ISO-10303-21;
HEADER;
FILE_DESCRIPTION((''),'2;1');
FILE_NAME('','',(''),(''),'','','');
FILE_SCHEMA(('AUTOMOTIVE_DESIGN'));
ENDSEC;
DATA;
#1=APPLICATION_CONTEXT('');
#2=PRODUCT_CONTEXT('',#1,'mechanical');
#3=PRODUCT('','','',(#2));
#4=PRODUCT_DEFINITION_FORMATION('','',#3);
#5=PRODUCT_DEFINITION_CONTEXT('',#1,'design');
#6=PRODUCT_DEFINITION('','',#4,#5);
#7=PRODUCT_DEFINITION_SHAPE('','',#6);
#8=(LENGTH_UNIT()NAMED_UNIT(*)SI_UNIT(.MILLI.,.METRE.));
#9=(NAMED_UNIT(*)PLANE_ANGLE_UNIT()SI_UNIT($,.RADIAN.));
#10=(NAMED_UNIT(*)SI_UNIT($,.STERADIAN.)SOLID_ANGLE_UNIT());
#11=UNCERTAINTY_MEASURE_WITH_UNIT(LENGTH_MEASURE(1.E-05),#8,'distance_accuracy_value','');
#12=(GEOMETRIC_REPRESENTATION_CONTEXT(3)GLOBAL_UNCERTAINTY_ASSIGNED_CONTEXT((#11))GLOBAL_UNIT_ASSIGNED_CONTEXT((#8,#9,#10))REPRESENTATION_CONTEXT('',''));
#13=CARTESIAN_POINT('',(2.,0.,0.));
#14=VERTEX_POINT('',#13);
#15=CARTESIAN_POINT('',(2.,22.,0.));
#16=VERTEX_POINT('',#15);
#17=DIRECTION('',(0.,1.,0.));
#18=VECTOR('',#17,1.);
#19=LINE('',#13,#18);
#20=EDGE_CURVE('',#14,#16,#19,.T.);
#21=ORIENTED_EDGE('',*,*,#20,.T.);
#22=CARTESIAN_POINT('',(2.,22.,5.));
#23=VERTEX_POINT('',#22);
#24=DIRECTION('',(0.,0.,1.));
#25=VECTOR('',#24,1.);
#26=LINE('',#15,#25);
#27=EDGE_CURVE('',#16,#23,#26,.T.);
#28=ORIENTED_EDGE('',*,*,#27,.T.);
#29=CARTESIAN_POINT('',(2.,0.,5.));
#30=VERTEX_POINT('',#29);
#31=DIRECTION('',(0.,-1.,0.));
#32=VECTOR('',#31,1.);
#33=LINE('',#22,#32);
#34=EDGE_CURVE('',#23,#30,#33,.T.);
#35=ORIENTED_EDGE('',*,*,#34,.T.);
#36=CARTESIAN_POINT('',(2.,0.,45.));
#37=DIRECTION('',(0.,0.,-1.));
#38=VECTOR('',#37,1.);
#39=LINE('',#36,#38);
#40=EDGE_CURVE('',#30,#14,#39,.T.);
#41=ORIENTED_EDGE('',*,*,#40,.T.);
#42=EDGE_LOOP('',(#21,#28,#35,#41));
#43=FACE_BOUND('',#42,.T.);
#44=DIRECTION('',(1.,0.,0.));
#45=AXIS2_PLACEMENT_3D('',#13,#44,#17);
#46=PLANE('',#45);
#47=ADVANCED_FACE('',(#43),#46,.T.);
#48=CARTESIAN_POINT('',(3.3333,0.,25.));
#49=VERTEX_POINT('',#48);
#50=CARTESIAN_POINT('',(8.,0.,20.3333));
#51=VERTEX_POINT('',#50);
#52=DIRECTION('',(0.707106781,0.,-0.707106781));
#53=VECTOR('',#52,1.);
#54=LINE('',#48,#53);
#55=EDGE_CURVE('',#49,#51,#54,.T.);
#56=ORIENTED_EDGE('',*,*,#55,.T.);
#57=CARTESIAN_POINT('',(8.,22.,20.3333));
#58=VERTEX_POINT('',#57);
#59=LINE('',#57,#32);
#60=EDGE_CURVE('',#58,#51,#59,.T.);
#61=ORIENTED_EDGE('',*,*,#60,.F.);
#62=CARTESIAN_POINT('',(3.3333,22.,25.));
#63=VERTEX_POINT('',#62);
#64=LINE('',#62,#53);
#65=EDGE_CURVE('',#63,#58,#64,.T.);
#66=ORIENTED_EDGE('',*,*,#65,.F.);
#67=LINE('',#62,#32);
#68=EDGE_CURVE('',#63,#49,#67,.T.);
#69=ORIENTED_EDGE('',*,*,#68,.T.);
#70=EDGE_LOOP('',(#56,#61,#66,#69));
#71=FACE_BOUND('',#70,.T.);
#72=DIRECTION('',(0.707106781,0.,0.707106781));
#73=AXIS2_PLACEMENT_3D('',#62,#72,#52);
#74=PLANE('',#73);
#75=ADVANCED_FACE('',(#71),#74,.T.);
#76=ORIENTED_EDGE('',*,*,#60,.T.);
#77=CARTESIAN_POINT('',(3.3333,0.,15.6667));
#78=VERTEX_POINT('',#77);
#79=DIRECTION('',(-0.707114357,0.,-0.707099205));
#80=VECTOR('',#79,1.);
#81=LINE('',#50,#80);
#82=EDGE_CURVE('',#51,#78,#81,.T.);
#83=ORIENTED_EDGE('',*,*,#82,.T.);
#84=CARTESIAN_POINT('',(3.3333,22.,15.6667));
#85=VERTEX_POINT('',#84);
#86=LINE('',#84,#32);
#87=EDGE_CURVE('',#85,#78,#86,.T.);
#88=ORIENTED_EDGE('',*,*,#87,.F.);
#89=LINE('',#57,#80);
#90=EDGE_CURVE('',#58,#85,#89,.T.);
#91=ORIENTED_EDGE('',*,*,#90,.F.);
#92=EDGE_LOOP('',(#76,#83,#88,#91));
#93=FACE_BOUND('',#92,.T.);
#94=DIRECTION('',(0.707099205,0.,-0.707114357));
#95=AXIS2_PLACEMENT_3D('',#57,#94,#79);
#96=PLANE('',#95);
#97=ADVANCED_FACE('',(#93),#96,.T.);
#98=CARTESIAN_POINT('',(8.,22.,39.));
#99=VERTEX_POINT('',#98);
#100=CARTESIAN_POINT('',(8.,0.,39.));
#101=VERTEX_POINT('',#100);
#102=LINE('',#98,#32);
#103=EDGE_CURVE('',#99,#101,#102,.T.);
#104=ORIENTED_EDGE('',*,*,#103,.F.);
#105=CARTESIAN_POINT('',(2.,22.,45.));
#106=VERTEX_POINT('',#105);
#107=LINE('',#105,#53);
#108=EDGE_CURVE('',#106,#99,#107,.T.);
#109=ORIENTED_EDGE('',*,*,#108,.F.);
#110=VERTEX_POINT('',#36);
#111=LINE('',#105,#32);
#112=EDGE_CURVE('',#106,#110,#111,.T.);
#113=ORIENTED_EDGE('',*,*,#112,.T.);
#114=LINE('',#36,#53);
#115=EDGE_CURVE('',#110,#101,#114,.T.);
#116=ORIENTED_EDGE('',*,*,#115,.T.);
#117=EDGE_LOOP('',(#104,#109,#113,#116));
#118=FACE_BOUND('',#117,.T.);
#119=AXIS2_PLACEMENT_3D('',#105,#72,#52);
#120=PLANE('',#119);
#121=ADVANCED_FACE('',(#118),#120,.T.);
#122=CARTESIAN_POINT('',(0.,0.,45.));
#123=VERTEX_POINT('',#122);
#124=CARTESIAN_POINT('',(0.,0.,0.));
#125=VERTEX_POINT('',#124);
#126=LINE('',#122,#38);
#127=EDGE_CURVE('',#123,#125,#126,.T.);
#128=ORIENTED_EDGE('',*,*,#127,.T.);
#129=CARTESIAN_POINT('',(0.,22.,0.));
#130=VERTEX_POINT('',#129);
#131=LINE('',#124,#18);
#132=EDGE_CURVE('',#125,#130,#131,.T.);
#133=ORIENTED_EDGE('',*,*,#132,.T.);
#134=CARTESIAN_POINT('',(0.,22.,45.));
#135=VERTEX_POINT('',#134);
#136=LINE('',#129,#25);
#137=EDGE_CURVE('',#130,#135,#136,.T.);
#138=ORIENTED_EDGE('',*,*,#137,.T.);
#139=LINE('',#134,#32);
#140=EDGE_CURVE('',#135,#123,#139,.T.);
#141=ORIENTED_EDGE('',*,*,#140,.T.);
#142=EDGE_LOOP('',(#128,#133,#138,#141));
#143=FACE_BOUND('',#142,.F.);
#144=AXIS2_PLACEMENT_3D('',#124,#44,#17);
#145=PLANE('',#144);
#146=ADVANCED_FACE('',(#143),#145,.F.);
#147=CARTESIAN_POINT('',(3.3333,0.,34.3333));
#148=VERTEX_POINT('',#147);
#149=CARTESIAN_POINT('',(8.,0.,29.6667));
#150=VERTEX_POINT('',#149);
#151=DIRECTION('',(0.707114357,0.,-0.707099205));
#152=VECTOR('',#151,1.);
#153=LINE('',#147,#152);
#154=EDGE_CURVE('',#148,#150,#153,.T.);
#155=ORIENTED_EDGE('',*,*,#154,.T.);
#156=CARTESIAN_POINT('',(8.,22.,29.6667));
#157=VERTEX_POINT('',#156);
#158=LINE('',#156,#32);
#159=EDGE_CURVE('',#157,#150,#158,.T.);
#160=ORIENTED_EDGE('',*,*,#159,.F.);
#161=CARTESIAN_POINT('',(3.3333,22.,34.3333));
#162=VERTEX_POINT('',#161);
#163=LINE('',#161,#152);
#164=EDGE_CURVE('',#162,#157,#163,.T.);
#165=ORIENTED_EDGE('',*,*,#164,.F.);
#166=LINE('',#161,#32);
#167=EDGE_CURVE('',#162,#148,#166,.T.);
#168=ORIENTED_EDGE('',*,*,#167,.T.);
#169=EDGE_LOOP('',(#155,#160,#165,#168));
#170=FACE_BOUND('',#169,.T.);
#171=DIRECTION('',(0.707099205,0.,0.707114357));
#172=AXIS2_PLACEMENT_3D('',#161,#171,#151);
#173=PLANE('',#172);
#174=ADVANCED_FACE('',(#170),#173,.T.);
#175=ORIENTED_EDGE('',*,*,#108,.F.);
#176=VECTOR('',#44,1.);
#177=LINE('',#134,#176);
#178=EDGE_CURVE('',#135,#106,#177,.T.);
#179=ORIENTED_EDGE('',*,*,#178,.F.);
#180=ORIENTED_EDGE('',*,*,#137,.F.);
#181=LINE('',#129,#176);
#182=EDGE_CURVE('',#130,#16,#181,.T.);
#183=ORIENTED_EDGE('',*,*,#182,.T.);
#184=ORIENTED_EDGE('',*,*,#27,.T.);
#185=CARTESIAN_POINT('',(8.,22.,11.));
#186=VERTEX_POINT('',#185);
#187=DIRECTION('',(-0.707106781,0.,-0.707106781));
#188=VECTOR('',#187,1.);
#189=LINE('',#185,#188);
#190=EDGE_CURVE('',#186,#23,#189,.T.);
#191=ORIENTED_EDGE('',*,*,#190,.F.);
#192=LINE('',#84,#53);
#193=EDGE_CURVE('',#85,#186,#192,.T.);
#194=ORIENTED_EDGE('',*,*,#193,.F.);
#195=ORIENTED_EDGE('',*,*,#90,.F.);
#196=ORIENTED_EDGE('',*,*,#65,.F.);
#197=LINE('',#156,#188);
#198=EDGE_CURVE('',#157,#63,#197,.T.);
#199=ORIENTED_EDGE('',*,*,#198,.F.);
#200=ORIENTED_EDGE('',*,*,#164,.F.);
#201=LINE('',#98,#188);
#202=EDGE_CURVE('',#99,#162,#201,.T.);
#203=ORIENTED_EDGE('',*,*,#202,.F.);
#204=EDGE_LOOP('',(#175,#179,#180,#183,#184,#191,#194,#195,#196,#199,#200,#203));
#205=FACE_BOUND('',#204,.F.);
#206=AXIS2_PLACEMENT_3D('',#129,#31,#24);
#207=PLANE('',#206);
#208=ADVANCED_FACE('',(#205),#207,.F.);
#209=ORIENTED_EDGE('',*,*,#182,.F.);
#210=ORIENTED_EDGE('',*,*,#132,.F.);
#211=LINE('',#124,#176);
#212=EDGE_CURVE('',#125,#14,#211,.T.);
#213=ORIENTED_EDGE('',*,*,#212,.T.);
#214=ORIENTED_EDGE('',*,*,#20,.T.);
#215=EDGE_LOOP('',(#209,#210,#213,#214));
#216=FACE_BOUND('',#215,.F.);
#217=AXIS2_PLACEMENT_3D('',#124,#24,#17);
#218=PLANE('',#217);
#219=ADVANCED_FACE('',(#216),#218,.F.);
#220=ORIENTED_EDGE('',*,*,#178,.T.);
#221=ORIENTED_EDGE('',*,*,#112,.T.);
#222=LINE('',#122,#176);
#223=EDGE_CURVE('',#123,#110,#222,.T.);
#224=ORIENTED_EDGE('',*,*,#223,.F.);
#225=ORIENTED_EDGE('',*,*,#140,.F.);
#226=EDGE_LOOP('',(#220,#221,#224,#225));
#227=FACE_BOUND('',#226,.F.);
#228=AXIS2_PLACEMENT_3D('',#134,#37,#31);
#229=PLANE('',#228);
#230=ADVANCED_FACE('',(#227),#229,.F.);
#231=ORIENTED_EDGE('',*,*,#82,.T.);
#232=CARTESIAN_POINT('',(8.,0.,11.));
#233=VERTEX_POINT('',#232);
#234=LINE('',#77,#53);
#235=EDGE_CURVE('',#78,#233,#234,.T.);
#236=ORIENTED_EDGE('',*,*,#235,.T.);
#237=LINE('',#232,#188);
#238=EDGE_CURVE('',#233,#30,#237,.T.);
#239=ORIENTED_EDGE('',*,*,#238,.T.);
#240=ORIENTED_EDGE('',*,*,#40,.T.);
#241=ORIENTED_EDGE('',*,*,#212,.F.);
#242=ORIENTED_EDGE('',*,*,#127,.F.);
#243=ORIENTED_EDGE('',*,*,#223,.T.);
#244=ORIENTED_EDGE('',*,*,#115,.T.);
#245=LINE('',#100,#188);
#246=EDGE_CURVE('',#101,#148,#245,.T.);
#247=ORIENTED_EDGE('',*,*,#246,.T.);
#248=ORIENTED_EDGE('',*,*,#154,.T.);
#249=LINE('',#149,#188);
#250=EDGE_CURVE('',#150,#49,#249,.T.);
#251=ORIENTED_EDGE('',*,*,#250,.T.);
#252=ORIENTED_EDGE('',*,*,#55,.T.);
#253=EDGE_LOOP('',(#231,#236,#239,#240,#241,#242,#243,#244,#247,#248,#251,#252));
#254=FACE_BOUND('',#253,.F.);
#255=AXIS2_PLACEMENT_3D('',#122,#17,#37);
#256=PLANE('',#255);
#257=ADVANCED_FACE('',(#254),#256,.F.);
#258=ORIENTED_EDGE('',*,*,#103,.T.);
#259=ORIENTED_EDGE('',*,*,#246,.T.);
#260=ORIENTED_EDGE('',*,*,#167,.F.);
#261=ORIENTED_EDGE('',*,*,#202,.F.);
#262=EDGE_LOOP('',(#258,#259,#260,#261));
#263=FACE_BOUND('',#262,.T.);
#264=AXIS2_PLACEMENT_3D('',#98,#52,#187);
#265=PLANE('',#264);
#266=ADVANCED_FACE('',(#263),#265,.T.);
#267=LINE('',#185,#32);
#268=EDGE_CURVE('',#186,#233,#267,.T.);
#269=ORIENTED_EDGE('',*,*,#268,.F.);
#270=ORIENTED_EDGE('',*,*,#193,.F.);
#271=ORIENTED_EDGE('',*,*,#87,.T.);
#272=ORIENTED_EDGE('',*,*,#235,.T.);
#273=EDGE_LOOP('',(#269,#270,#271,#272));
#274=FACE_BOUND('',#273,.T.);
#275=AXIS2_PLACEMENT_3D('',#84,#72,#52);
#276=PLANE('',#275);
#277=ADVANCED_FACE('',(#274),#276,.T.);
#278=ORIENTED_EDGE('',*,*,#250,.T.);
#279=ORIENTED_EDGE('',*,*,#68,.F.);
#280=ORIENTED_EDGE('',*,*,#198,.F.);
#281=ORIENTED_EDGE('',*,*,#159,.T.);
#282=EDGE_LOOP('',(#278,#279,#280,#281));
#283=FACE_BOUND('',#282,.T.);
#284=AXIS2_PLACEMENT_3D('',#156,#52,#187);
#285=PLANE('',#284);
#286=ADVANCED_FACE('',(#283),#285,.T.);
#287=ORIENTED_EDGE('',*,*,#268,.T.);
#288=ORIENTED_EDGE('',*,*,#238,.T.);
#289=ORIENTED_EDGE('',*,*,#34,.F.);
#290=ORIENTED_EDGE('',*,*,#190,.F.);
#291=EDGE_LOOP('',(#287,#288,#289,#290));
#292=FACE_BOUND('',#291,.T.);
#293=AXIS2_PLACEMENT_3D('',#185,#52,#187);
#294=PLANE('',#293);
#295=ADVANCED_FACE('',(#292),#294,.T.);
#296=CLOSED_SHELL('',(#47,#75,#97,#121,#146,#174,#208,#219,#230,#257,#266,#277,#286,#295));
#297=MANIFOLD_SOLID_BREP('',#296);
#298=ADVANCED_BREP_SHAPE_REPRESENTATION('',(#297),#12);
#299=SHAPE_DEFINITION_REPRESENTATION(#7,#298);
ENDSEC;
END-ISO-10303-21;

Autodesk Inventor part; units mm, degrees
ref_plane "YZ Plane" through (0, 0, 0) normal (1, 0, 0) x (0, 1, 0)
ref_plane "XZ Plane" through (0, 0, 0) normal (0, 1, 0) x (-1, 0, 0)
ref_plane "XY Plane" through (0, 0, 0) normal (0, 0, 1) x (1, 0, 0)
sketch "スケッチ1" plane through (0, 0, 0) normal (1, 0, 0) x (0, 1, 0)
  line L0 (0, 0) -> (22, 0)
  line L1 (22, 0) -> (22, 45)
  line L2 (22, 45) -> (0, 45)
  line L3 (0, 45) -> (0, 0)
  dimension "d0" = 22
  dimension "d1" = 45
extrude "押し出し1" add sketch "スケッチ1" along normal blind 2
sketch "スケッチ2" plane through (0, 22, 45) normal (0, 1, 0) x (1, 0, 0)
  line L0 (0, 0) -> (2, 0) projected
  line L1 (2, 0) -> (8, 6)
  line L2 (8, 6) -> (3.3333, 10.6667)
  line L3 (3.3333, 10.6667) -> (8, 15.3333)
  line L4 (8, 15.3333) -> (3.3333, 20)
  line L5 (3.3333, 20) -> (8, 24.6667)
  line L6 (8, 24.6667) -> (3.3333, 29.3333)
  line L7 (3.3333, 29.3333) -> (8, 34)
  line L8 (8, 34) -> (2, 40)
  line L9 (2, 45) -> (2, 0) projected
  point P0 (0, 45)
  dimension "d4" = 40
  dimension "d5" = 6
extrude "押し出し2" add sketch "スケッチ2" against normal up to surface (22 mm away)
properties part number "finger"
